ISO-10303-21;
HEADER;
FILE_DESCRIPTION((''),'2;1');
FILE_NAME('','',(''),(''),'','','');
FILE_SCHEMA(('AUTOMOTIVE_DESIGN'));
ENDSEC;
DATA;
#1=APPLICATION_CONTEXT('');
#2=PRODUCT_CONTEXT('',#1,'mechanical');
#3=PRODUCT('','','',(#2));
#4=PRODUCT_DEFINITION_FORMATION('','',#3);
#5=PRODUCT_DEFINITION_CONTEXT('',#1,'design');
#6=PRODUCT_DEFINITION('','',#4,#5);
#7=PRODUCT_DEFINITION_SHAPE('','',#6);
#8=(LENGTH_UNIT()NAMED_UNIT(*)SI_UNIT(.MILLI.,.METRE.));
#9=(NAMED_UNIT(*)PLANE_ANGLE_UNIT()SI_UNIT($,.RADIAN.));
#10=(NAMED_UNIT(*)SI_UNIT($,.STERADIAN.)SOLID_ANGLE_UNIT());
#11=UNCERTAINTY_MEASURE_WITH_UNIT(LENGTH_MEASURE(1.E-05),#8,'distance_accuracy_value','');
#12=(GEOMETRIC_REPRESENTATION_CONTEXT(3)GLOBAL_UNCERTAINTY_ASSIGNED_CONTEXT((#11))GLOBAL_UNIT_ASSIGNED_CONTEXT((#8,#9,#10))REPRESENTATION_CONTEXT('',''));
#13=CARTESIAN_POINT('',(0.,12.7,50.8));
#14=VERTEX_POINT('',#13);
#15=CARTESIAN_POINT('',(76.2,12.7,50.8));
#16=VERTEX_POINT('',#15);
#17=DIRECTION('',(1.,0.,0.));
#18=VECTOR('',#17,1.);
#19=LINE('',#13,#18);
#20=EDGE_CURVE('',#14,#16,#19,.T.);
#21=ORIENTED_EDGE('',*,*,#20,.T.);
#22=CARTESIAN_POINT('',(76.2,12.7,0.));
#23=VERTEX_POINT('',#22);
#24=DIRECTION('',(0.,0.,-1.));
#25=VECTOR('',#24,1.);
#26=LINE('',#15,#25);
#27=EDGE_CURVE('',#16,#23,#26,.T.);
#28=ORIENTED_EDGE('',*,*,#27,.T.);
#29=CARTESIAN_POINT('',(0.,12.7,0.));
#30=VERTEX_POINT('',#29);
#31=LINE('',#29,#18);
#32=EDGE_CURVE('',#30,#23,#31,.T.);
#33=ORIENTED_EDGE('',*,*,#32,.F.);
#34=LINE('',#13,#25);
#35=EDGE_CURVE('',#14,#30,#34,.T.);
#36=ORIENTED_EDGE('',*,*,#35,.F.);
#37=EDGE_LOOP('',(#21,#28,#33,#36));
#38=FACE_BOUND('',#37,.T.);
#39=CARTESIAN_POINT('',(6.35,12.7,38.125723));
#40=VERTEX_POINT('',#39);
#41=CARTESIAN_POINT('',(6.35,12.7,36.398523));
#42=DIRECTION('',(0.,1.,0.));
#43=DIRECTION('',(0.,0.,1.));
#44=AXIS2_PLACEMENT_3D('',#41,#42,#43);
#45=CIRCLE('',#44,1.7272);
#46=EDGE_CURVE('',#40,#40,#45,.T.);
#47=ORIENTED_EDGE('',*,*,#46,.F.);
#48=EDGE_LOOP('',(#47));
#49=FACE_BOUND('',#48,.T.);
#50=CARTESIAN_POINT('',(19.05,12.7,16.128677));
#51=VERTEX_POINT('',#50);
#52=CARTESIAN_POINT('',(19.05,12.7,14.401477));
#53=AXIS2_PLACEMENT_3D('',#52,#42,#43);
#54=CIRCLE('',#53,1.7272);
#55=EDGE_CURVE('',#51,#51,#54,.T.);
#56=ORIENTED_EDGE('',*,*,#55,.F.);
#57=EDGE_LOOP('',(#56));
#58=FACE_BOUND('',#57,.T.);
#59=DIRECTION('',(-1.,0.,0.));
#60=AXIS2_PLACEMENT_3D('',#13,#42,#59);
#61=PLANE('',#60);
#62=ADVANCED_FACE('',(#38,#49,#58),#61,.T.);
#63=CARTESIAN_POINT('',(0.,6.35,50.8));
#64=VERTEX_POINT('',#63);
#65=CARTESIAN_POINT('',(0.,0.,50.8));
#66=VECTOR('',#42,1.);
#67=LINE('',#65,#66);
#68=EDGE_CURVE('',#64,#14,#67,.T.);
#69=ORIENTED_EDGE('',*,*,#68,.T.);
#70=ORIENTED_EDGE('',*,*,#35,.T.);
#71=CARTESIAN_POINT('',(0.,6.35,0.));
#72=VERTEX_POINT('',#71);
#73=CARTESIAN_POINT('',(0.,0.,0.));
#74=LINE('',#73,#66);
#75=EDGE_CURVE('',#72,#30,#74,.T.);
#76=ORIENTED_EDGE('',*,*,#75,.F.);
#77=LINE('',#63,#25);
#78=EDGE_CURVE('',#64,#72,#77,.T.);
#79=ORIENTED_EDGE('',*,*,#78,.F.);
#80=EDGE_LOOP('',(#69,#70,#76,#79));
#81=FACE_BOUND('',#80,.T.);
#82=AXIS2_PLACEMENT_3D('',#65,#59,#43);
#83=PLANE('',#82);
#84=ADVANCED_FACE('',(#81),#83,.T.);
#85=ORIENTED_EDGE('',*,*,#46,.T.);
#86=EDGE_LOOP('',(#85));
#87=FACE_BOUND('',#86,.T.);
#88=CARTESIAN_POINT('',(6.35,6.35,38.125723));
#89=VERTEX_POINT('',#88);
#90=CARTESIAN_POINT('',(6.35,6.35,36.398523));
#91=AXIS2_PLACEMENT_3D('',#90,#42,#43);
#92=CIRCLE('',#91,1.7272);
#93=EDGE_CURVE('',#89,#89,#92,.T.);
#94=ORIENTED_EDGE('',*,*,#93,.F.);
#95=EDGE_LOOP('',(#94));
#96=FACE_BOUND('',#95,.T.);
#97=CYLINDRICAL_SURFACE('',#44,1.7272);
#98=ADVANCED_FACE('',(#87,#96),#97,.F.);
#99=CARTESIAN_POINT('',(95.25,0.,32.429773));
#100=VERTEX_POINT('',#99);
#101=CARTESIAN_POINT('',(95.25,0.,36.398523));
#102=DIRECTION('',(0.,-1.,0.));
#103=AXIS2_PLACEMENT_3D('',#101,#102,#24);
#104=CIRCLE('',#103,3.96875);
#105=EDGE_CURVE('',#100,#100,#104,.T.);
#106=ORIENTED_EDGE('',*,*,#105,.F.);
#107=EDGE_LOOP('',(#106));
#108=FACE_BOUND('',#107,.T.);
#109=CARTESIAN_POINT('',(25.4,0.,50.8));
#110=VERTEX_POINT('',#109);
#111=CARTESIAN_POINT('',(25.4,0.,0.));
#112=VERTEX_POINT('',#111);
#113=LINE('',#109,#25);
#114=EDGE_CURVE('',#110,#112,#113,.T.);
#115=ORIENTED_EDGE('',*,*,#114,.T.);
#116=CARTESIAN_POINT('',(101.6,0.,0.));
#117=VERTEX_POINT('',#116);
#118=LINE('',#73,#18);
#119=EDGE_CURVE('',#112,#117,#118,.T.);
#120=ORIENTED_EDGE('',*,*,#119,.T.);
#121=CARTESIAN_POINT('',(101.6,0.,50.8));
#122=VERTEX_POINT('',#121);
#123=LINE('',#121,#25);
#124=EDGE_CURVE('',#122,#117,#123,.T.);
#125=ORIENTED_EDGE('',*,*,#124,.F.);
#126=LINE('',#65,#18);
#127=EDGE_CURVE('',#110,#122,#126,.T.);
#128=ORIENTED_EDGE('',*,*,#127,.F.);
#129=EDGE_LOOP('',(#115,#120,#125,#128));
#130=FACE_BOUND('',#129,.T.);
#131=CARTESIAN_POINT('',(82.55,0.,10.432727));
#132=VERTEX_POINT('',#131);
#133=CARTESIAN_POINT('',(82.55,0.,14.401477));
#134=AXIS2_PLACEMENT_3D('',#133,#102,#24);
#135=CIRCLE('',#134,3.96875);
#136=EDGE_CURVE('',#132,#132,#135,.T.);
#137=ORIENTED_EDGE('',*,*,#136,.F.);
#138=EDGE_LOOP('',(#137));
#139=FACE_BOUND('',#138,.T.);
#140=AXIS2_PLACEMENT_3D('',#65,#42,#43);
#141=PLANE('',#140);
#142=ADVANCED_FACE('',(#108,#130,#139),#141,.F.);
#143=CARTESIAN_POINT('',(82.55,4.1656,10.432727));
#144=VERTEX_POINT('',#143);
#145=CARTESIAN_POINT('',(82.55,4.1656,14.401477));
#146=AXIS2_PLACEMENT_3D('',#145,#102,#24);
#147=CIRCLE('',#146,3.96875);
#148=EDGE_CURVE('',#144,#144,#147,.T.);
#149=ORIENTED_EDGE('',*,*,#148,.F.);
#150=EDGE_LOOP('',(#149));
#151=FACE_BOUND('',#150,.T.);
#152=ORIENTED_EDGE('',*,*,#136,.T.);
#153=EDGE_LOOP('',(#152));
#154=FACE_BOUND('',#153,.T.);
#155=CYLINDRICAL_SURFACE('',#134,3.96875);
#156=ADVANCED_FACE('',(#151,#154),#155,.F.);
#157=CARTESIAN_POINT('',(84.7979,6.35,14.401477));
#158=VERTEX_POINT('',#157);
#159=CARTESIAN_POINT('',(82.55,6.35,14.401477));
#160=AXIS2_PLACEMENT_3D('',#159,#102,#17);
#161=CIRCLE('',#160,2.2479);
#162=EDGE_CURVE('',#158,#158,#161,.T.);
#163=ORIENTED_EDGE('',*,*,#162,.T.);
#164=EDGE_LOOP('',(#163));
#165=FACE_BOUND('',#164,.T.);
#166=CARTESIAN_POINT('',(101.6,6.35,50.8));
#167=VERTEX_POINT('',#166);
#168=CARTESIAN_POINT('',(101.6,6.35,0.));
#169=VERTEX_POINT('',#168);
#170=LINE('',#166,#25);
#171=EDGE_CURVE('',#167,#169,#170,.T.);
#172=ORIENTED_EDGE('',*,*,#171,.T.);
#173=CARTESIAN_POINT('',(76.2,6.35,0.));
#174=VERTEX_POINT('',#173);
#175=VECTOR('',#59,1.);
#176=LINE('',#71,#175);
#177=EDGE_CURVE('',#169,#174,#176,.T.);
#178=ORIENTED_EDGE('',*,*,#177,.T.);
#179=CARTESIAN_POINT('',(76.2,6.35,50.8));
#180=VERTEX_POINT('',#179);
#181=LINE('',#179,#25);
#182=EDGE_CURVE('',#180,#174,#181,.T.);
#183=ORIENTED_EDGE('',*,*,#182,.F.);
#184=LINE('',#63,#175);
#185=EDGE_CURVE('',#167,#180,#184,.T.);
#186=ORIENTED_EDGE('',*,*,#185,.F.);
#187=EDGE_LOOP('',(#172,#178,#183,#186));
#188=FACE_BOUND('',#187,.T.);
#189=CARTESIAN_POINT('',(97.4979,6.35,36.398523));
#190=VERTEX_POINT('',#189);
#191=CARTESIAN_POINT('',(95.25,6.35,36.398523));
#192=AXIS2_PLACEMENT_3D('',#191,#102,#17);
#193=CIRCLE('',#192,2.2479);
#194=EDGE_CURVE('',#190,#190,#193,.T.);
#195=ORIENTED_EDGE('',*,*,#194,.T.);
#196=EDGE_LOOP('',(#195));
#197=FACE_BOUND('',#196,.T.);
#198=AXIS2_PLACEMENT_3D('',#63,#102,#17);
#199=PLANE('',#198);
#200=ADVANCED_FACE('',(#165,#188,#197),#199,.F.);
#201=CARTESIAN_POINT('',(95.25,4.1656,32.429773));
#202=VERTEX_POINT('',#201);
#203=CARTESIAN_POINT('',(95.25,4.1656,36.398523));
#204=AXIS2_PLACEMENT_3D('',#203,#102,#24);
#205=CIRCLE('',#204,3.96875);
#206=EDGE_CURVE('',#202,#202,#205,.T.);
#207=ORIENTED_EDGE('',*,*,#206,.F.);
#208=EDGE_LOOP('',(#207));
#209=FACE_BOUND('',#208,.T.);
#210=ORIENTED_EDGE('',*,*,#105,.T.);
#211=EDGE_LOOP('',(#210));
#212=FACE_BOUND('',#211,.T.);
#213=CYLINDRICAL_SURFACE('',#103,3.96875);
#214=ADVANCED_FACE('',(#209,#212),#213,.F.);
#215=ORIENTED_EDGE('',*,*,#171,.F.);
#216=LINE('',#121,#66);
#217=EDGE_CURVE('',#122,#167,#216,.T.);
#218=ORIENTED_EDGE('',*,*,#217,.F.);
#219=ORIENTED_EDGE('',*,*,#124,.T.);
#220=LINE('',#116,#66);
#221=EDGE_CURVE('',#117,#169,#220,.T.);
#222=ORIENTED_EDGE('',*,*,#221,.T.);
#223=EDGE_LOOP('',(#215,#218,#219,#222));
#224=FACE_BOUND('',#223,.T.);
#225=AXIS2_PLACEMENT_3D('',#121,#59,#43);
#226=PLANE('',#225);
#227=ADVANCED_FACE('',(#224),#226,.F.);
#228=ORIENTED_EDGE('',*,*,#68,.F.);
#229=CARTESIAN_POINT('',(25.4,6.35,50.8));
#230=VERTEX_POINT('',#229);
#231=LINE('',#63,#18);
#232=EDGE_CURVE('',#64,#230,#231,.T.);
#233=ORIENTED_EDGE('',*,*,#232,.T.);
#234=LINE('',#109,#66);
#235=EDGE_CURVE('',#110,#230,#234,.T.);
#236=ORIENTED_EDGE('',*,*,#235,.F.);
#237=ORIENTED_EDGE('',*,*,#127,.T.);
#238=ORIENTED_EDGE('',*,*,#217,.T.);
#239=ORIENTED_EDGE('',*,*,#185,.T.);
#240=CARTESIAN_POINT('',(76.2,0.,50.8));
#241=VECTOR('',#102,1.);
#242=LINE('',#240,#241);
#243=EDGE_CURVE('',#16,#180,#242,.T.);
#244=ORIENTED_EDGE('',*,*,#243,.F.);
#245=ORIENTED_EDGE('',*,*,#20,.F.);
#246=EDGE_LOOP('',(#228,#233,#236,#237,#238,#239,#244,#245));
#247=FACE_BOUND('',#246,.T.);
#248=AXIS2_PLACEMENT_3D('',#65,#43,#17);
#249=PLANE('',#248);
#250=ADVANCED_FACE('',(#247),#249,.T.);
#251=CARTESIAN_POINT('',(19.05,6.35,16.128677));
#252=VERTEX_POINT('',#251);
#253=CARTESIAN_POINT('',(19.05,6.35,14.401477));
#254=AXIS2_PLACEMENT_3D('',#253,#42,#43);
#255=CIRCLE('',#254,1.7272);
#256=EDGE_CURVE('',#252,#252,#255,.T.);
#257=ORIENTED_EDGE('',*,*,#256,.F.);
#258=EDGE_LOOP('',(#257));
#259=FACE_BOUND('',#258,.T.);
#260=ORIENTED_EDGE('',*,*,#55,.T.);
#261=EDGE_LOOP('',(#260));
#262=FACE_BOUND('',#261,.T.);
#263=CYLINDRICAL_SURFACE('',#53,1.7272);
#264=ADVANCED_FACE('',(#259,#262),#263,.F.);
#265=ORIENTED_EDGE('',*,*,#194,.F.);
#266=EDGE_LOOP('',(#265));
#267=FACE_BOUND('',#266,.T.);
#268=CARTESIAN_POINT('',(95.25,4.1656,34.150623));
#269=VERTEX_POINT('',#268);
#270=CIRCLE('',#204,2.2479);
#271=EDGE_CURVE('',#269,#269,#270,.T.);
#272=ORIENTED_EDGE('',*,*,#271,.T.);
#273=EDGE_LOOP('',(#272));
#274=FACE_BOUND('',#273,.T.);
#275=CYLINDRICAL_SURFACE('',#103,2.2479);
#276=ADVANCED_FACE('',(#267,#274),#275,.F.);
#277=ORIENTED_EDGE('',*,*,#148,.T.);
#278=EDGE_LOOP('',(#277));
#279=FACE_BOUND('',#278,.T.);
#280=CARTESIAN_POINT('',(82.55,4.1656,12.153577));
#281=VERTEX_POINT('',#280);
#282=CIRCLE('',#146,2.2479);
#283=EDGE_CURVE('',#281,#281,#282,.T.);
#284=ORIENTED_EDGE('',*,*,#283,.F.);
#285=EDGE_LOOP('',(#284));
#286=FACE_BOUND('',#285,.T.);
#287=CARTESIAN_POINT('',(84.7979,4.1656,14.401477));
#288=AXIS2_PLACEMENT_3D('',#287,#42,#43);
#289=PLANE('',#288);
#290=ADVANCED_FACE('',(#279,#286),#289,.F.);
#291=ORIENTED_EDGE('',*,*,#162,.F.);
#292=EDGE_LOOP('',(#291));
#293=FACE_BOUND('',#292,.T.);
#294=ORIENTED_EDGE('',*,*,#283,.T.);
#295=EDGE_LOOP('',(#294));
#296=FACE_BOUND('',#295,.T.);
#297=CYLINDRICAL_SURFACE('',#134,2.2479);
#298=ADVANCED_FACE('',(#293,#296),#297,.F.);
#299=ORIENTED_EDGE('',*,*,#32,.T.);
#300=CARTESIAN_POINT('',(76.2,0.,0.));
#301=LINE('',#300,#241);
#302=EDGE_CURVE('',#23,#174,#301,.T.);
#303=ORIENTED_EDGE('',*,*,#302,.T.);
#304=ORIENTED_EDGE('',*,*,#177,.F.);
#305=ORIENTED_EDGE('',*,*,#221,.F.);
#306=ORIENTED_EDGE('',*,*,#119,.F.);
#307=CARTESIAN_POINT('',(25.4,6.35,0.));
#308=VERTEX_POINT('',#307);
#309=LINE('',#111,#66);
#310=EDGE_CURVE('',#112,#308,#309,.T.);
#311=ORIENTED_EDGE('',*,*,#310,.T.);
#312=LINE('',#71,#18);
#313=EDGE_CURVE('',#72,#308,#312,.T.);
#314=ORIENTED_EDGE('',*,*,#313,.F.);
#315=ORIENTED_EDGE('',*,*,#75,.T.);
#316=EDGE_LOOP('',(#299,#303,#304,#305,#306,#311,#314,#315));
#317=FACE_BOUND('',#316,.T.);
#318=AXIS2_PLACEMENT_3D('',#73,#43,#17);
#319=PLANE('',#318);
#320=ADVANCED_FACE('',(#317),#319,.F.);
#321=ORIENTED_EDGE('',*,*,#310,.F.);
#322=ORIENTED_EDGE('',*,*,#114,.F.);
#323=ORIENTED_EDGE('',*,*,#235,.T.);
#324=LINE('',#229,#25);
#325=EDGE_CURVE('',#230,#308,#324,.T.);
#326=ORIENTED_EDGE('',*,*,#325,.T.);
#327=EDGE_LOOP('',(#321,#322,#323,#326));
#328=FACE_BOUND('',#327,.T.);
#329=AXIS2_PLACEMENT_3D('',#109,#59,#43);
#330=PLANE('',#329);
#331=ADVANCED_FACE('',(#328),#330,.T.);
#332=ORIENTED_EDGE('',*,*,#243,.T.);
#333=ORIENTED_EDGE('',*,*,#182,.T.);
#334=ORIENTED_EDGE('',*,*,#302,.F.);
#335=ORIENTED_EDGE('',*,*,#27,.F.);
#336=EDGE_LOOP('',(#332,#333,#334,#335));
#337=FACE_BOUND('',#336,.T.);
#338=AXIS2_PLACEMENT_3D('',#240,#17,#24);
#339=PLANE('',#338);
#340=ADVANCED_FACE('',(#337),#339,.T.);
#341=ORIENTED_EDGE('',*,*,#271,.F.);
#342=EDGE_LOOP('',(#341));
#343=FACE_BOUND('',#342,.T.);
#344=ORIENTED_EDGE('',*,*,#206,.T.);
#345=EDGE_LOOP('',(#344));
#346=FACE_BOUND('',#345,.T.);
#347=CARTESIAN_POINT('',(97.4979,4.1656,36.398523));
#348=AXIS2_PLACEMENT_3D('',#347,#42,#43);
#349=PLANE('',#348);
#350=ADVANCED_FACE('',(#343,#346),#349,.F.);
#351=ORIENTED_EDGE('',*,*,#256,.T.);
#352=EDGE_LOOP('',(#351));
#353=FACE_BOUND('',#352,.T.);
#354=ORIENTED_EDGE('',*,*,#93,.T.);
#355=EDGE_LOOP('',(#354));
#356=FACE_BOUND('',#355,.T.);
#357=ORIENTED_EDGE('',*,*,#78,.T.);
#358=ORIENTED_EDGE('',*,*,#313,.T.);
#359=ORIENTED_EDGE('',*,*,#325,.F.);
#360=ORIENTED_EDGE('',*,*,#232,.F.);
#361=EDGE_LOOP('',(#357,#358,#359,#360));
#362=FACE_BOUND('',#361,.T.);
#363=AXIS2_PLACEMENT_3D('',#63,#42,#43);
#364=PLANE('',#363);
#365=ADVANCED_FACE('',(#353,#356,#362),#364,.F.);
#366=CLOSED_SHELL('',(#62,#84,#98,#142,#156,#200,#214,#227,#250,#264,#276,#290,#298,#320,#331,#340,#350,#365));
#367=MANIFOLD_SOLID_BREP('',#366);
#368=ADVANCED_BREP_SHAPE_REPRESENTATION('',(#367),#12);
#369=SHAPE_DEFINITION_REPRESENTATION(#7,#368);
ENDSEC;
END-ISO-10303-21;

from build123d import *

# Parameters (mm, degrees)
BOSS_EXTRUDE1_DEPTH                            = 50.8
F_8_32_TAPPED_HOLE1_D                          = 3.4544
CBORE_FOR_8_SOCKET_HEAD_CAP_SCREW1_D           = 4.4958
CBORE_FOR_8_SOCKET_HEAD_CAP_SCREW1_CBORE_D     = 7.9375
CBORE_FOR_8_SOCKET_HEAD_CAP_SCREW1_CBORE_DEPTH = 4.1656


with BuildPart() as part:
    # Sketch1 → Boss-Extrude1 (new body)
    with BuildSketch(Plane.XY):
        Polygon((25.4, 6.35), (25.4, 0), (101.6, 0), (101.6, 6.35), (76.2, 6.35), (76.2, 12.7), (0, 12.7), (0, 6.35), align=None)
    extrude(amount=BOSS_EXTRUDE1_DEPTH)

    # #8-32 Tapped Hole1 (through all)
    with Locations(Plane(origin=(0, 12.7, 0), x_dir=(1, 0, 0), z_dir=(0, 1, 0))):
        with Locations((6.35, -36.398522628), (19.05, -14.401477372)):
            Hole(F_8_32_TAPPED_HOLE1_D / 2)

    # CBORE for #8 Socket Head Cap Screw1 (through all)
    with Locations(Plane(origin=(0, 0, 0), x_dir=(-1, 0, 0), z_dir=(0, -1, 0))):
        with Locations((-95.25, -36.398522628), (-82.55, -14.401477372)):
            CounterBoreHole(CBORE_FOR_8_SOCKET_HEAD_CAP_SCREW1_D / 2, CBORE_FOR_8_SOCKET_HEAD_CAP_SCREW1_CBORE_D / 2, CBORE_FOR_8_SOCKET_HEAD_CAP_SCREW1_CBORE_DEPTH)


solid = part.part
